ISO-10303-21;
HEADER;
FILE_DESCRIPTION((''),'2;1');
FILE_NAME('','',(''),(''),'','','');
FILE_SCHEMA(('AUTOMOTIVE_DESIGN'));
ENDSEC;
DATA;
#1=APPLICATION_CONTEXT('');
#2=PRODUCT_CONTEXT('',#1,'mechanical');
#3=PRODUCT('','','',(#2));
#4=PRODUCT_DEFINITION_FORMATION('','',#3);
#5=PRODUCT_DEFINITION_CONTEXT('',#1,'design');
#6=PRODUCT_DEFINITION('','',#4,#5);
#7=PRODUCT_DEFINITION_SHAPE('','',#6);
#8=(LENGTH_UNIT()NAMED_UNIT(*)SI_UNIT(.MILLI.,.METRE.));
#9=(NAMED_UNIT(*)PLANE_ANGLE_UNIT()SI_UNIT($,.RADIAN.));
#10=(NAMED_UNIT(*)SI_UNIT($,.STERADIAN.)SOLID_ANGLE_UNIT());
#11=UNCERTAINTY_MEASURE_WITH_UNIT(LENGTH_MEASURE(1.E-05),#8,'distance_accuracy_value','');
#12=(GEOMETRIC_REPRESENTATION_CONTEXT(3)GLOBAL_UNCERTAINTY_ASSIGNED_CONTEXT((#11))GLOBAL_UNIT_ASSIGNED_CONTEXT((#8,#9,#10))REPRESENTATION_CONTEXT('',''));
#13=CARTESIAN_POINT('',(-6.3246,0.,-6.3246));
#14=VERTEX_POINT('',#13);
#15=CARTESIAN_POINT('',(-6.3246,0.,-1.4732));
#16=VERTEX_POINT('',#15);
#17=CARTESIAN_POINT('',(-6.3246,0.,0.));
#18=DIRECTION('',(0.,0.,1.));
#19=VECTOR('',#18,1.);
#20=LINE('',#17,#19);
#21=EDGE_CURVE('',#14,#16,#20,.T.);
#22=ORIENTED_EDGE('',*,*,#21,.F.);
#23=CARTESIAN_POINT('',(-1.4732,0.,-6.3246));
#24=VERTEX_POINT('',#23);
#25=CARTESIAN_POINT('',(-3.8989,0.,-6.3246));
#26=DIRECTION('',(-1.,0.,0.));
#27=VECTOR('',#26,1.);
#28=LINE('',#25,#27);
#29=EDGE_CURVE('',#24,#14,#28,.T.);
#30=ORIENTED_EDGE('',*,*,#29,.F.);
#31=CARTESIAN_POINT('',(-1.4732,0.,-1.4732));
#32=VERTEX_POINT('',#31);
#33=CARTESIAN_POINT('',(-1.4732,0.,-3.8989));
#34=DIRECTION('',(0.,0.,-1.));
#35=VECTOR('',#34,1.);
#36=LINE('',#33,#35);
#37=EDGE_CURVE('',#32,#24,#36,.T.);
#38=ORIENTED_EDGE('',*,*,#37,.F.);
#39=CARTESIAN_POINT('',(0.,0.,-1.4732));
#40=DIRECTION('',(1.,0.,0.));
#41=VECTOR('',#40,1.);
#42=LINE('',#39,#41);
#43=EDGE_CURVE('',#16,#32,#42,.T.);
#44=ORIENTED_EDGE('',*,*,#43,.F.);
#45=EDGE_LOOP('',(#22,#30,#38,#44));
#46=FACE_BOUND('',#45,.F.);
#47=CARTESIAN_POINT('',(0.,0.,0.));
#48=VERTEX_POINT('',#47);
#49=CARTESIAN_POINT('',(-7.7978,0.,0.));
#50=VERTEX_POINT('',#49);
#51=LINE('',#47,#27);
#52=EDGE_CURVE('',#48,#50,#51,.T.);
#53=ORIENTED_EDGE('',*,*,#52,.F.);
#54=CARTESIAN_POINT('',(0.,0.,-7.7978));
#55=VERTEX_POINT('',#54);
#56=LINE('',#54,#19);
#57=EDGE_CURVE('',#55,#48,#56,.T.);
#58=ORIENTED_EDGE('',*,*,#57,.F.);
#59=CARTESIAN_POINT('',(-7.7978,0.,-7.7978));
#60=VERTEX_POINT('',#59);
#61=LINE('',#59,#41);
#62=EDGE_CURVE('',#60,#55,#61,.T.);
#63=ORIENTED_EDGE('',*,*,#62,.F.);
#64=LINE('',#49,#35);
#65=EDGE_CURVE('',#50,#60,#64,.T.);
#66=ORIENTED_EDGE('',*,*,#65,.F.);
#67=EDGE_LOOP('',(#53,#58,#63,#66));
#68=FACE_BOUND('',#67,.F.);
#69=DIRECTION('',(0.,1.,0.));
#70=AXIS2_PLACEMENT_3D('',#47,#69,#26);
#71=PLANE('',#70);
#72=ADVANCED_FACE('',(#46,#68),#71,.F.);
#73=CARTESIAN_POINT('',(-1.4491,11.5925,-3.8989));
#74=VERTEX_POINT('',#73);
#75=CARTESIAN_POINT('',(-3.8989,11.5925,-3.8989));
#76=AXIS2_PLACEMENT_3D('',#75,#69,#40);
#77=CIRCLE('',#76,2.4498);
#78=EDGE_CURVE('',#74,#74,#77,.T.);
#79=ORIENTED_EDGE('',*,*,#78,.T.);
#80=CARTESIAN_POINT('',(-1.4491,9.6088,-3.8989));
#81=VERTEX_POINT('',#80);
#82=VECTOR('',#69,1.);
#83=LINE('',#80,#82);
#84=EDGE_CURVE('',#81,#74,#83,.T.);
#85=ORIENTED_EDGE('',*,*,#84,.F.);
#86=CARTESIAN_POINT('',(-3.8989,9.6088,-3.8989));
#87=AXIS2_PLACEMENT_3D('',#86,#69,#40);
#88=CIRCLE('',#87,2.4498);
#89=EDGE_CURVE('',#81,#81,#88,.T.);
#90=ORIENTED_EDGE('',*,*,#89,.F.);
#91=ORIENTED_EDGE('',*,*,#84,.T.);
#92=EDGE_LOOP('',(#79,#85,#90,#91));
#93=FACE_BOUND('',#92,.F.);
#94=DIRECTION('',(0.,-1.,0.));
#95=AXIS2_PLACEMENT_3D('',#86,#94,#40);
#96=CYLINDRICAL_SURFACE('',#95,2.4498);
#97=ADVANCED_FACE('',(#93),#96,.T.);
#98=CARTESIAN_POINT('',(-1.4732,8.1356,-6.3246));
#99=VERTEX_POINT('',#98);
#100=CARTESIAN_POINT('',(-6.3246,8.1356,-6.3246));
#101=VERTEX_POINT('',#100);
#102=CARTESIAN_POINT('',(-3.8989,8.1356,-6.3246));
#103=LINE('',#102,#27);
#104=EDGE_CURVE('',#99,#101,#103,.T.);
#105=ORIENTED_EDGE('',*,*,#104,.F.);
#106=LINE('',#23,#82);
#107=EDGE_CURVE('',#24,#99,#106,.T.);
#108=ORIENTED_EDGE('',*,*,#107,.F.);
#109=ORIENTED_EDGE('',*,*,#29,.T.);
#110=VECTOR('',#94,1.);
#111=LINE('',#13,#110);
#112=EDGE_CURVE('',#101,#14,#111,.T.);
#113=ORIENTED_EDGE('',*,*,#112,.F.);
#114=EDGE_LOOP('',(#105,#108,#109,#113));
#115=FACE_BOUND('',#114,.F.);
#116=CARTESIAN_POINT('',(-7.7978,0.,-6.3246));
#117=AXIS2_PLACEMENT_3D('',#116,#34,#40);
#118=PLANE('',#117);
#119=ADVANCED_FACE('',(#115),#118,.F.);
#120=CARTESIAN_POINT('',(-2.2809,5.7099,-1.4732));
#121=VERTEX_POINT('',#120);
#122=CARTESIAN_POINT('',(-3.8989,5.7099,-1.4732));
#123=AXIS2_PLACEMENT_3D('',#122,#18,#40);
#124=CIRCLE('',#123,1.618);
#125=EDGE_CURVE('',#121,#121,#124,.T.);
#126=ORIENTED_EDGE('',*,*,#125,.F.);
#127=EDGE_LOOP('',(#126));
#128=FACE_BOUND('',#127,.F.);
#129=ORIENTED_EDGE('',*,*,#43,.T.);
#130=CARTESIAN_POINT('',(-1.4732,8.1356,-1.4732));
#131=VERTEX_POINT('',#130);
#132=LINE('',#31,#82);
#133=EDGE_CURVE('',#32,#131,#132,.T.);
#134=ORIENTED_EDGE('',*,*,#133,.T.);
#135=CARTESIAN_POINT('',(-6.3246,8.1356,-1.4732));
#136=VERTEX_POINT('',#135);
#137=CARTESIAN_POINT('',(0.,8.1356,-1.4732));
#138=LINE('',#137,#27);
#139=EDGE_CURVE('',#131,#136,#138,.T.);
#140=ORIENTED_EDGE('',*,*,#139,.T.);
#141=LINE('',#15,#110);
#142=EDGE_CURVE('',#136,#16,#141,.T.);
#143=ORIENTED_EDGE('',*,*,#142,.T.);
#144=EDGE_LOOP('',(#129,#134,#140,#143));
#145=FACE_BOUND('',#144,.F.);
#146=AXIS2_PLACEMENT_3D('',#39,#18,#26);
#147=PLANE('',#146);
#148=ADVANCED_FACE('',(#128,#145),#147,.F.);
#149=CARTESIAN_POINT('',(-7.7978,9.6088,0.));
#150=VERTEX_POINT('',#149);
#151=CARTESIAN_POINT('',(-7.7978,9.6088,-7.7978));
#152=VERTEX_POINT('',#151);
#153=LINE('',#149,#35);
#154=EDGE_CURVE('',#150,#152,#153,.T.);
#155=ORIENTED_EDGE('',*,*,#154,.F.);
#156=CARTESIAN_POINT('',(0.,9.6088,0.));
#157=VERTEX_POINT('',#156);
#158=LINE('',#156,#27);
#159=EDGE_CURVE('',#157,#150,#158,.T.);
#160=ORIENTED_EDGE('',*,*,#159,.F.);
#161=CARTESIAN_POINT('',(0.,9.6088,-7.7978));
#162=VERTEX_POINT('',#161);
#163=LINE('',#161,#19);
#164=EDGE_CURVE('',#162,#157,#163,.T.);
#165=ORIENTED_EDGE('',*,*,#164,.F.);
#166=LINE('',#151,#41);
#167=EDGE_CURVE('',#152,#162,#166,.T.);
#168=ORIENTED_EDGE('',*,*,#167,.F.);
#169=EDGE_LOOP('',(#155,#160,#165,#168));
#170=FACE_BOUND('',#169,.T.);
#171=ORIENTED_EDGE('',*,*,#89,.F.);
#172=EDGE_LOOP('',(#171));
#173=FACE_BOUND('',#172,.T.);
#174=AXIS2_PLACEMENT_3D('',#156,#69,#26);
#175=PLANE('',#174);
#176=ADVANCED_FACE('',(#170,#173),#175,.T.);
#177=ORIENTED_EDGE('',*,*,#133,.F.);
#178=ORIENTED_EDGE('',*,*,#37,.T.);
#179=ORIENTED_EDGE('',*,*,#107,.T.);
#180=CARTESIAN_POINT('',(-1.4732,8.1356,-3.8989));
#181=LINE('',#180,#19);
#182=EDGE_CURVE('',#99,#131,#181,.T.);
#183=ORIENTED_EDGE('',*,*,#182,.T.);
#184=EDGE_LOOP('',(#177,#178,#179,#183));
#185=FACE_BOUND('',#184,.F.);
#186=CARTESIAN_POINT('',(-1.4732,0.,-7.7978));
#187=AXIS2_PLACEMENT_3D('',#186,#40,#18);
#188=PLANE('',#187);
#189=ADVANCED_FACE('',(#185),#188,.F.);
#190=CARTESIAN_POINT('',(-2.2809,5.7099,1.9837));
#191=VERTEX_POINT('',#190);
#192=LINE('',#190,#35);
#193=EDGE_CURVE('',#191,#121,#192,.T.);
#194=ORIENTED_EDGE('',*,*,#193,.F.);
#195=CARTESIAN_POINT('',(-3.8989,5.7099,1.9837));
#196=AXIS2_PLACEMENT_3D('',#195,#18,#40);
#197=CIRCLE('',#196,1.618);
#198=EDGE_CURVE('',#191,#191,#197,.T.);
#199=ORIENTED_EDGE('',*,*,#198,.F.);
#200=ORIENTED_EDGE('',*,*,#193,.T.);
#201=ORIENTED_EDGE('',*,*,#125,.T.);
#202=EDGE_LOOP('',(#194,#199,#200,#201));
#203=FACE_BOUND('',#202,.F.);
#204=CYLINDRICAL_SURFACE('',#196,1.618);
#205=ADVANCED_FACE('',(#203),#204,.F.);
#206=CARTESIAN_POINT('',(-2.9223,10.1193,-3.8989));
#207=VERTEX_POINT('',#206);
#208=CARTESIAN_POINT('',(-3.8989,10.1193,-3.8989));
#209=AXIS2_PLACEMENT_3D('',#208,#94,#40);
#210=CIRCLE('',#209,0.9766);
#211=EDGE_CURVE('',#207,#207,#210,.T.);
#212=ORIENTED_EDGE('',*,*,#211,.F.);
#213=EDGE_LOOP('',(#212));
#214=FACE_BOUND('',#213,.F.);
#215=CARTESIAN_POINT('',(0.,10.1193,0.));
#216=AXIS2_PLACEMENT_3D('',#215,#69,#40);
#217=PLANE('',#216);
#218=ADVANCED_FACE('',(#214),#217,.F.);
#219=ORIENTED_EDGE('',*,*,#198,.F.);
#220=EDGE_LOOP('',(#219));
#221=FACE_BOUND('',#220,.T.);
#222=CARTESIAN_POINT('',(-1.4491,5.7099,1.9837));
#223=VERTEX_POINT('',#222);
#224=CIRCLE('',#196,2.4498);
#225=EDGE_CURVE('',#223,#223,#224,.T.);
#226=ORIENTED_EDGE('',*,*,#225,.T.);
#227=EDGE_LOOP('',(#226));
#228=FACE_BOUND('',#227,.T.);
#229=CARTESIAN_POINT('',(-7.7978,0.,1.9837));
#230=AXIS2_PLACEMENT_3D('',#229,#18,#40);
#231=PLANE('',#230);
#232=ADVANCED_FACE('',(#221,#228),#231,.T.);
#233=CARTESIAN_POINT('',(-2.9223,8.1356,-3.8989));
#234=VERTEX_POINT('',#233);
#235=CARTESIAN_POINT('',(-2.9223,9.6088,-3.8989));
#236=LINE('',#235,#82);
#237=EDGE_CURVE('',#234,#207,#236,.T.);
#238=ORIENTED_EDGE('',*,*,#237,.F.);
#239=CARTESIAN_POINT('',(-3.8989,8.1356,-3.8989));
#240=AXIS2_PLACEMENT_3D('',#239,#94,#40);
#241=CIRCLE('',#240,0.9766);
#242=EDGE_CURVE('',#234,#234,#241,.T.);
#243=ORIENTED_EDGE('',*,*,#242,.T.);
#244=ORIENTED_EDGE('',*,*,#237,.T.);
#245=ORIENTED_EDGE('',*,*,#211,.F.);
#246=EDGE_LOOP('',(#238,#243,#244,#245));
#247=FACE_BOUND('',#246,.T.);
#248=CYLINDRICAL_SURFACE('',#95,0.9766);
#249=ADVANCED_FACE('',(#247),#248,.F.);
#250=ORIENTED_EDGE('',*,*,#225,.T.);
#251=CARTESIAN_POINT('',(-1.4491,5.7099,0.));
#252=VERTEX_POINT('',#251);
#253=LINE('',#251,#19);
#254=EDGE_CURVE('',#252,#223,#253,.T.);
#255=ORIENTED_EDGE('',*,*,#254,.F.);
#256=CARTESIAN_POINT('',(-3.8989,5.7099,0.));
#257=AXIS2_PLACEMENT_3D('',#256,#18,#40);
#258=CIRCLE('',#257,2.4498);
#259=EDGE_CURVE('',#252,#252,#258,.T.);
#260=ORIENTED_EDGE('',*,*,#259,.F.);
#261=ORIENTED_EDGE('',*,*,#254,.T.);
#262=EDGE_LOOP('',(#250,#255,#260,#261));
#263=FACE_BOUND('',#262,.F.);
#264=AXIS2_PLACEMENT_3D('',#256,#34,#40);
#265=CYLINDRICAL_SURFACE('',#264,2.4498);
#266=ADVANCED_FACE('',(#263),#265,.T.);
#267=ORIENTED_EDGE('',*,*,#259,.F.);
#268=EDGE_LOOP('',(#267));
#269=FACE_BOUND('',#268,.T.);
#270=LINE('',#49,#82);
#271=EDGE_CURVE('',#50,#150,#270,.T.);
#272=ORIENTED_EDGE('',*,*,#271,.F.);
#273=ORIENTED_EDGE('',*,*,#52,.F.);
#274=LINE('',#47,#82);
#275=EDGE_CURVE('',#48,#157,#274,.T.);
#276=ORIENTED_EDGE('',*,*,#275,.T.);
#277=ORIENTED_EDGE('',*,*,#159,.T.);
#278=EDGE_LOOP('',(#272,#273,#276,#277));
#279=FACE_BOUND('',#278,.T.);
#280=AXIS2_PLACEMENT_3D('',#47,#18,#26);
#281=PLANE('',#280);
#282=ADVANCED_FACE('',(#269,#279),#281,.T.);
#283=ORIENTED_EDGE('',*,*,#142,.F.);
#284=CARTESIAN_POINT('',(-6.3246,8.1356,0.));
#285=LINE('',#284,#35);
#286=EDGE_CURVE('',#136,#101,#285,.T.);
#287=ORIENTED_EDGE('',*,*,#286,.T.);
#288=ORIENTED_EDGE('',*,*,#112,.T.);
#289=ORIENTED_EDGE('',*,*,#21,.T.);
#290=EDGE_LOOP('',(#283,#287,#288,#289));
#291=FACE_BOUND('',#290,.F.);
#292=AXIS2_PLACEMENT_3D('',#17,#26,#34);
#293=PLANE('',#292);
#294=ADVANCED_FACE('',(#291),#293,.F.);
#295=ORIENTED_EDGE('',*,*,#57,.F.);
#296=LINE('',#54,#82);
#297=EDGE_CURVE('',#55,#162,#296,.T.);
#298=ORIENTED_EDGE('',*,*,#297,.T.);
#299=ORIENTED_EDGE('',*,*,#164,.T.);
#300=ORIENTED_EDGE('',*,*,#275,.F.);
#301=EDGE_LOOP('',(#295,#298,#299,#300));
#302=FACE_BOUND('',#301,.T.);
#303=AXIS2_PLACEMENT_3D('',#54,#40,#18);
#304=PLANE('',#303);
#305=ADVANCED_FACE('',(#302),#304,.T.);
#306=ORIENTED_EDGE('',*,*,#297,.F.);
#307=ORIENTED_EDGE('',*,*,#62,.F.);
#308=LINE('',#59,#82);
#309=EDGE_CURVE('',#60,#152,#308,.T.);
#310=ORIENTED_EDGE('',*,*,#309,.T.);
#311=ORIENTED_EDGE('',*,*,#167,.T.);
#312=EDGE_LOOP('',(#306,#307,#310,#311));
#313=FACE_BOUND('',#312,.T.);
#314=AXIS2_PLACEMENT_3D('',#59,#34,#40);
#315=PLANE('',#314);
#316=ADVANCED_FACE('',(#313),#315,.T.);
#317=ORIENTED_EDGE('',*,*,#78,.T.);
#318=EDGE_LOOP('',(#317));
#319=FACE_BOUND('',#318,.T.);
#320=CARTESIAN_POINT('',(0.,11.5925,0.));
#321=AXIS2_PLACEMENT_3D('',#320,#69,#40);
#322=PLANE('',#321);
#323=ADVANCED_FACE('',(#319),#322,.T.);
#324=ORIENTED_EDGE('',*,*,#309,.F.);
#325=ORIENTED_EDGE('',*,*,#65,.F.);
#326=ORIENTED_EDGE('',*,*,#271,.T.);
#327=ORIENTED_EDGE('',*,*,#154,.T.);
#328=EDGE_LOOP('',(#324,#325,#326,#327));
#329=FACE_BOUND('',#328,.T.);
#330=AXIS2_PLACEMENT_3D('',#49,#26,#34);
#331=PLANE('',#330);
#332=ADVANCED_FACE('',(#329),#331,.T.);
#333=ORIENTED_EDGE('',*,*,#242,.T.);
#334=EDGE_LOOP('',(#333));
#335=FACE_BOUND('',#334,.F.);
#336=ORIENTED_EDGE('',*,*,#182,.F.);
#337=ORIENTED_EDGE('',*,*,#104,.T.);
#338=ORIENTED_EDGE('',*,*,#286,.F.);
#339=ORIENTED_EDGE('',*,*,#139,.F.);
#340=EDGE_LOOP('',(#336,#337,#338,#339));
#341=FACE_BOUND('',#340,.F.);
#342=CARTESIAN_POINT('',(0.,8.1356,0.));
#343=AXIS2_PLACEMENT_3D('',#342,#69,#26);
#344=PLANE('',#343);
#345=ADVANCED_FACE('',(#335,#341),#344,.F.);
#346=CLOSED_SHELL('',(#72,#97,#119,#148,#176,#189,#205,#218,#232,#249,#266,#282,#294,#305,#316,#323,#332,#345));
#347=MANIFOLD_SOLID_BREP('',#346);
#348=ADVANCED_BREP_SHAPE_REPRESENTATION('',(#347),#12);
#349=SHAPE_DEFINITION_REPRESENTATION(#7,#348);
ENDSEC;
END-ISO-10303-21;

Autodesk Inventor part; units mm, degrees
ref_plane "YZ Plane" through (0, 0, 0) normal (1, 0, 0) x (0, 1, 0)
ref_plane "XZ Plane" through (0, 0, 0) normal (0, 1, 0) x (-1, 0, 0)
ref_plane "XY Plane" through (0, 0, 0) normal (0, 0, 1) x (1, 0, 0)
sketch "Sketch1" plane through (0, 0, 0) normal (0, 1, 0) x (-1, 0, 0)
  line L0 (0, 0) -> (7.7978, 0)
  line L1 (7.7978, 0) -> (7.7978, -7.7978)
  line L2 (7.7978, -7.7978) -> (0, -7.7978)
  line L3 (0, -7.7978) -> (0, 0)
  dimension "d0" = 7.7978
  dimension "d8" = 7.7978
extrude "Extrusion1" add sketch "Sketch1" along normal blind 9.6088
sketch "Sketch2" plane through (0, 9.6088, 0) normal (0, 1, 0) x (1, 0, 0)
  line L0 (0, 0) -> (-3.8989, 0) construction
  line L1 (-3.8989, 0) -> (-3.8989, 3.8989) construction
  line L2 (-3.8989, 3.8989) -> (0, 3.8989) construction
  line L3 (0, 3.8989) -> (0, 0) construction
  circle A0 centre (-3.8989, 3.8989) radius 2.4498
  dimension "d11" = 3.8989
  dimension "d12" = 3.8989
  dimension "d13" = 4.8997
extrude "Extrusion2" add sketch "Sketch2" along normal blind 1.9837
shell "Shell1" thickness 1.4732 removed faces 1 at (-2.5993, 0, -2.5993)
sketch "Sketch3" plane through (-7.7978, 0, 0) normal (0, 0, 1) x (1, 0, 0)
  line L0 (0, 0) -> (0, 9.6088) construction
  line L1 (0, 9.6088) -> (3.8989, 9.6088) construction
  line L2 (3.8989, 9.6088) -> (3.8989, 5.7099) construction
  line L3 (3.8989, 5.7099) -> (0, 5.7099) construction
  line L4 (0, 5.7099) -> (0, 9.6088) construction
  circle A0 centre (3.8989, 5.7099) radius 2.4498
  point P0 (7.7978, 0)
  dimension "d17" = 3.8989
  dimension "d18" = 3.8989
  dimension "d19" = 4.8997
extrude "Extrusion3" add sketch "Sketch3" along normal blind 1.9837
sketch "Sketch4" plane through (-3.8989, 5.7099, 1.9837) normal (0, 0, 1) x (1, 0, 0)
  circle A0 centre (0, 0) radius 2.4498 construction
  circle A1 centre (0, 0) radius 1.618
  point P0 (3.8989, -5.7099)
  dimension "d22" = 3.236
extrude "Extrusion4" cut sketch "Sketch4" against normal up to surface (3.4569 mm away)
equation "\"d0\" = d1"
equation "\"d8\" = d1"
equation "\"d9\" = d3"
equation "\"d11\" = 0.5 * d1"
equation "\"d12\" = 0.5 * d1"
equation "\"d13\" = d4"
equation "\"d14\" = d5"
equation "\"d16\" = d6"
equation "\"d17\" = 0.5 * d1"
equation "\"d18\" = 0.5 * d1"
equation "\"d19\" = d4"
equation "\"d20\" = d5"
equation "\"d22\" = d2"
equation "\"d23\" = d5"
equation "\"d1\" = 7.7978"
equation "\"d2\" = 3.23596"
equation "\"d3\" = 9.60882"
equation "\"d4\" = 4.89966"
equation "\"d5\" = 1.98374"
equation "\"d6\" = 1.4732"
equation "\"d7\" = 1.23952"
properties part number "1x1 tall gray with a stick out" material "ABS Plastic"
